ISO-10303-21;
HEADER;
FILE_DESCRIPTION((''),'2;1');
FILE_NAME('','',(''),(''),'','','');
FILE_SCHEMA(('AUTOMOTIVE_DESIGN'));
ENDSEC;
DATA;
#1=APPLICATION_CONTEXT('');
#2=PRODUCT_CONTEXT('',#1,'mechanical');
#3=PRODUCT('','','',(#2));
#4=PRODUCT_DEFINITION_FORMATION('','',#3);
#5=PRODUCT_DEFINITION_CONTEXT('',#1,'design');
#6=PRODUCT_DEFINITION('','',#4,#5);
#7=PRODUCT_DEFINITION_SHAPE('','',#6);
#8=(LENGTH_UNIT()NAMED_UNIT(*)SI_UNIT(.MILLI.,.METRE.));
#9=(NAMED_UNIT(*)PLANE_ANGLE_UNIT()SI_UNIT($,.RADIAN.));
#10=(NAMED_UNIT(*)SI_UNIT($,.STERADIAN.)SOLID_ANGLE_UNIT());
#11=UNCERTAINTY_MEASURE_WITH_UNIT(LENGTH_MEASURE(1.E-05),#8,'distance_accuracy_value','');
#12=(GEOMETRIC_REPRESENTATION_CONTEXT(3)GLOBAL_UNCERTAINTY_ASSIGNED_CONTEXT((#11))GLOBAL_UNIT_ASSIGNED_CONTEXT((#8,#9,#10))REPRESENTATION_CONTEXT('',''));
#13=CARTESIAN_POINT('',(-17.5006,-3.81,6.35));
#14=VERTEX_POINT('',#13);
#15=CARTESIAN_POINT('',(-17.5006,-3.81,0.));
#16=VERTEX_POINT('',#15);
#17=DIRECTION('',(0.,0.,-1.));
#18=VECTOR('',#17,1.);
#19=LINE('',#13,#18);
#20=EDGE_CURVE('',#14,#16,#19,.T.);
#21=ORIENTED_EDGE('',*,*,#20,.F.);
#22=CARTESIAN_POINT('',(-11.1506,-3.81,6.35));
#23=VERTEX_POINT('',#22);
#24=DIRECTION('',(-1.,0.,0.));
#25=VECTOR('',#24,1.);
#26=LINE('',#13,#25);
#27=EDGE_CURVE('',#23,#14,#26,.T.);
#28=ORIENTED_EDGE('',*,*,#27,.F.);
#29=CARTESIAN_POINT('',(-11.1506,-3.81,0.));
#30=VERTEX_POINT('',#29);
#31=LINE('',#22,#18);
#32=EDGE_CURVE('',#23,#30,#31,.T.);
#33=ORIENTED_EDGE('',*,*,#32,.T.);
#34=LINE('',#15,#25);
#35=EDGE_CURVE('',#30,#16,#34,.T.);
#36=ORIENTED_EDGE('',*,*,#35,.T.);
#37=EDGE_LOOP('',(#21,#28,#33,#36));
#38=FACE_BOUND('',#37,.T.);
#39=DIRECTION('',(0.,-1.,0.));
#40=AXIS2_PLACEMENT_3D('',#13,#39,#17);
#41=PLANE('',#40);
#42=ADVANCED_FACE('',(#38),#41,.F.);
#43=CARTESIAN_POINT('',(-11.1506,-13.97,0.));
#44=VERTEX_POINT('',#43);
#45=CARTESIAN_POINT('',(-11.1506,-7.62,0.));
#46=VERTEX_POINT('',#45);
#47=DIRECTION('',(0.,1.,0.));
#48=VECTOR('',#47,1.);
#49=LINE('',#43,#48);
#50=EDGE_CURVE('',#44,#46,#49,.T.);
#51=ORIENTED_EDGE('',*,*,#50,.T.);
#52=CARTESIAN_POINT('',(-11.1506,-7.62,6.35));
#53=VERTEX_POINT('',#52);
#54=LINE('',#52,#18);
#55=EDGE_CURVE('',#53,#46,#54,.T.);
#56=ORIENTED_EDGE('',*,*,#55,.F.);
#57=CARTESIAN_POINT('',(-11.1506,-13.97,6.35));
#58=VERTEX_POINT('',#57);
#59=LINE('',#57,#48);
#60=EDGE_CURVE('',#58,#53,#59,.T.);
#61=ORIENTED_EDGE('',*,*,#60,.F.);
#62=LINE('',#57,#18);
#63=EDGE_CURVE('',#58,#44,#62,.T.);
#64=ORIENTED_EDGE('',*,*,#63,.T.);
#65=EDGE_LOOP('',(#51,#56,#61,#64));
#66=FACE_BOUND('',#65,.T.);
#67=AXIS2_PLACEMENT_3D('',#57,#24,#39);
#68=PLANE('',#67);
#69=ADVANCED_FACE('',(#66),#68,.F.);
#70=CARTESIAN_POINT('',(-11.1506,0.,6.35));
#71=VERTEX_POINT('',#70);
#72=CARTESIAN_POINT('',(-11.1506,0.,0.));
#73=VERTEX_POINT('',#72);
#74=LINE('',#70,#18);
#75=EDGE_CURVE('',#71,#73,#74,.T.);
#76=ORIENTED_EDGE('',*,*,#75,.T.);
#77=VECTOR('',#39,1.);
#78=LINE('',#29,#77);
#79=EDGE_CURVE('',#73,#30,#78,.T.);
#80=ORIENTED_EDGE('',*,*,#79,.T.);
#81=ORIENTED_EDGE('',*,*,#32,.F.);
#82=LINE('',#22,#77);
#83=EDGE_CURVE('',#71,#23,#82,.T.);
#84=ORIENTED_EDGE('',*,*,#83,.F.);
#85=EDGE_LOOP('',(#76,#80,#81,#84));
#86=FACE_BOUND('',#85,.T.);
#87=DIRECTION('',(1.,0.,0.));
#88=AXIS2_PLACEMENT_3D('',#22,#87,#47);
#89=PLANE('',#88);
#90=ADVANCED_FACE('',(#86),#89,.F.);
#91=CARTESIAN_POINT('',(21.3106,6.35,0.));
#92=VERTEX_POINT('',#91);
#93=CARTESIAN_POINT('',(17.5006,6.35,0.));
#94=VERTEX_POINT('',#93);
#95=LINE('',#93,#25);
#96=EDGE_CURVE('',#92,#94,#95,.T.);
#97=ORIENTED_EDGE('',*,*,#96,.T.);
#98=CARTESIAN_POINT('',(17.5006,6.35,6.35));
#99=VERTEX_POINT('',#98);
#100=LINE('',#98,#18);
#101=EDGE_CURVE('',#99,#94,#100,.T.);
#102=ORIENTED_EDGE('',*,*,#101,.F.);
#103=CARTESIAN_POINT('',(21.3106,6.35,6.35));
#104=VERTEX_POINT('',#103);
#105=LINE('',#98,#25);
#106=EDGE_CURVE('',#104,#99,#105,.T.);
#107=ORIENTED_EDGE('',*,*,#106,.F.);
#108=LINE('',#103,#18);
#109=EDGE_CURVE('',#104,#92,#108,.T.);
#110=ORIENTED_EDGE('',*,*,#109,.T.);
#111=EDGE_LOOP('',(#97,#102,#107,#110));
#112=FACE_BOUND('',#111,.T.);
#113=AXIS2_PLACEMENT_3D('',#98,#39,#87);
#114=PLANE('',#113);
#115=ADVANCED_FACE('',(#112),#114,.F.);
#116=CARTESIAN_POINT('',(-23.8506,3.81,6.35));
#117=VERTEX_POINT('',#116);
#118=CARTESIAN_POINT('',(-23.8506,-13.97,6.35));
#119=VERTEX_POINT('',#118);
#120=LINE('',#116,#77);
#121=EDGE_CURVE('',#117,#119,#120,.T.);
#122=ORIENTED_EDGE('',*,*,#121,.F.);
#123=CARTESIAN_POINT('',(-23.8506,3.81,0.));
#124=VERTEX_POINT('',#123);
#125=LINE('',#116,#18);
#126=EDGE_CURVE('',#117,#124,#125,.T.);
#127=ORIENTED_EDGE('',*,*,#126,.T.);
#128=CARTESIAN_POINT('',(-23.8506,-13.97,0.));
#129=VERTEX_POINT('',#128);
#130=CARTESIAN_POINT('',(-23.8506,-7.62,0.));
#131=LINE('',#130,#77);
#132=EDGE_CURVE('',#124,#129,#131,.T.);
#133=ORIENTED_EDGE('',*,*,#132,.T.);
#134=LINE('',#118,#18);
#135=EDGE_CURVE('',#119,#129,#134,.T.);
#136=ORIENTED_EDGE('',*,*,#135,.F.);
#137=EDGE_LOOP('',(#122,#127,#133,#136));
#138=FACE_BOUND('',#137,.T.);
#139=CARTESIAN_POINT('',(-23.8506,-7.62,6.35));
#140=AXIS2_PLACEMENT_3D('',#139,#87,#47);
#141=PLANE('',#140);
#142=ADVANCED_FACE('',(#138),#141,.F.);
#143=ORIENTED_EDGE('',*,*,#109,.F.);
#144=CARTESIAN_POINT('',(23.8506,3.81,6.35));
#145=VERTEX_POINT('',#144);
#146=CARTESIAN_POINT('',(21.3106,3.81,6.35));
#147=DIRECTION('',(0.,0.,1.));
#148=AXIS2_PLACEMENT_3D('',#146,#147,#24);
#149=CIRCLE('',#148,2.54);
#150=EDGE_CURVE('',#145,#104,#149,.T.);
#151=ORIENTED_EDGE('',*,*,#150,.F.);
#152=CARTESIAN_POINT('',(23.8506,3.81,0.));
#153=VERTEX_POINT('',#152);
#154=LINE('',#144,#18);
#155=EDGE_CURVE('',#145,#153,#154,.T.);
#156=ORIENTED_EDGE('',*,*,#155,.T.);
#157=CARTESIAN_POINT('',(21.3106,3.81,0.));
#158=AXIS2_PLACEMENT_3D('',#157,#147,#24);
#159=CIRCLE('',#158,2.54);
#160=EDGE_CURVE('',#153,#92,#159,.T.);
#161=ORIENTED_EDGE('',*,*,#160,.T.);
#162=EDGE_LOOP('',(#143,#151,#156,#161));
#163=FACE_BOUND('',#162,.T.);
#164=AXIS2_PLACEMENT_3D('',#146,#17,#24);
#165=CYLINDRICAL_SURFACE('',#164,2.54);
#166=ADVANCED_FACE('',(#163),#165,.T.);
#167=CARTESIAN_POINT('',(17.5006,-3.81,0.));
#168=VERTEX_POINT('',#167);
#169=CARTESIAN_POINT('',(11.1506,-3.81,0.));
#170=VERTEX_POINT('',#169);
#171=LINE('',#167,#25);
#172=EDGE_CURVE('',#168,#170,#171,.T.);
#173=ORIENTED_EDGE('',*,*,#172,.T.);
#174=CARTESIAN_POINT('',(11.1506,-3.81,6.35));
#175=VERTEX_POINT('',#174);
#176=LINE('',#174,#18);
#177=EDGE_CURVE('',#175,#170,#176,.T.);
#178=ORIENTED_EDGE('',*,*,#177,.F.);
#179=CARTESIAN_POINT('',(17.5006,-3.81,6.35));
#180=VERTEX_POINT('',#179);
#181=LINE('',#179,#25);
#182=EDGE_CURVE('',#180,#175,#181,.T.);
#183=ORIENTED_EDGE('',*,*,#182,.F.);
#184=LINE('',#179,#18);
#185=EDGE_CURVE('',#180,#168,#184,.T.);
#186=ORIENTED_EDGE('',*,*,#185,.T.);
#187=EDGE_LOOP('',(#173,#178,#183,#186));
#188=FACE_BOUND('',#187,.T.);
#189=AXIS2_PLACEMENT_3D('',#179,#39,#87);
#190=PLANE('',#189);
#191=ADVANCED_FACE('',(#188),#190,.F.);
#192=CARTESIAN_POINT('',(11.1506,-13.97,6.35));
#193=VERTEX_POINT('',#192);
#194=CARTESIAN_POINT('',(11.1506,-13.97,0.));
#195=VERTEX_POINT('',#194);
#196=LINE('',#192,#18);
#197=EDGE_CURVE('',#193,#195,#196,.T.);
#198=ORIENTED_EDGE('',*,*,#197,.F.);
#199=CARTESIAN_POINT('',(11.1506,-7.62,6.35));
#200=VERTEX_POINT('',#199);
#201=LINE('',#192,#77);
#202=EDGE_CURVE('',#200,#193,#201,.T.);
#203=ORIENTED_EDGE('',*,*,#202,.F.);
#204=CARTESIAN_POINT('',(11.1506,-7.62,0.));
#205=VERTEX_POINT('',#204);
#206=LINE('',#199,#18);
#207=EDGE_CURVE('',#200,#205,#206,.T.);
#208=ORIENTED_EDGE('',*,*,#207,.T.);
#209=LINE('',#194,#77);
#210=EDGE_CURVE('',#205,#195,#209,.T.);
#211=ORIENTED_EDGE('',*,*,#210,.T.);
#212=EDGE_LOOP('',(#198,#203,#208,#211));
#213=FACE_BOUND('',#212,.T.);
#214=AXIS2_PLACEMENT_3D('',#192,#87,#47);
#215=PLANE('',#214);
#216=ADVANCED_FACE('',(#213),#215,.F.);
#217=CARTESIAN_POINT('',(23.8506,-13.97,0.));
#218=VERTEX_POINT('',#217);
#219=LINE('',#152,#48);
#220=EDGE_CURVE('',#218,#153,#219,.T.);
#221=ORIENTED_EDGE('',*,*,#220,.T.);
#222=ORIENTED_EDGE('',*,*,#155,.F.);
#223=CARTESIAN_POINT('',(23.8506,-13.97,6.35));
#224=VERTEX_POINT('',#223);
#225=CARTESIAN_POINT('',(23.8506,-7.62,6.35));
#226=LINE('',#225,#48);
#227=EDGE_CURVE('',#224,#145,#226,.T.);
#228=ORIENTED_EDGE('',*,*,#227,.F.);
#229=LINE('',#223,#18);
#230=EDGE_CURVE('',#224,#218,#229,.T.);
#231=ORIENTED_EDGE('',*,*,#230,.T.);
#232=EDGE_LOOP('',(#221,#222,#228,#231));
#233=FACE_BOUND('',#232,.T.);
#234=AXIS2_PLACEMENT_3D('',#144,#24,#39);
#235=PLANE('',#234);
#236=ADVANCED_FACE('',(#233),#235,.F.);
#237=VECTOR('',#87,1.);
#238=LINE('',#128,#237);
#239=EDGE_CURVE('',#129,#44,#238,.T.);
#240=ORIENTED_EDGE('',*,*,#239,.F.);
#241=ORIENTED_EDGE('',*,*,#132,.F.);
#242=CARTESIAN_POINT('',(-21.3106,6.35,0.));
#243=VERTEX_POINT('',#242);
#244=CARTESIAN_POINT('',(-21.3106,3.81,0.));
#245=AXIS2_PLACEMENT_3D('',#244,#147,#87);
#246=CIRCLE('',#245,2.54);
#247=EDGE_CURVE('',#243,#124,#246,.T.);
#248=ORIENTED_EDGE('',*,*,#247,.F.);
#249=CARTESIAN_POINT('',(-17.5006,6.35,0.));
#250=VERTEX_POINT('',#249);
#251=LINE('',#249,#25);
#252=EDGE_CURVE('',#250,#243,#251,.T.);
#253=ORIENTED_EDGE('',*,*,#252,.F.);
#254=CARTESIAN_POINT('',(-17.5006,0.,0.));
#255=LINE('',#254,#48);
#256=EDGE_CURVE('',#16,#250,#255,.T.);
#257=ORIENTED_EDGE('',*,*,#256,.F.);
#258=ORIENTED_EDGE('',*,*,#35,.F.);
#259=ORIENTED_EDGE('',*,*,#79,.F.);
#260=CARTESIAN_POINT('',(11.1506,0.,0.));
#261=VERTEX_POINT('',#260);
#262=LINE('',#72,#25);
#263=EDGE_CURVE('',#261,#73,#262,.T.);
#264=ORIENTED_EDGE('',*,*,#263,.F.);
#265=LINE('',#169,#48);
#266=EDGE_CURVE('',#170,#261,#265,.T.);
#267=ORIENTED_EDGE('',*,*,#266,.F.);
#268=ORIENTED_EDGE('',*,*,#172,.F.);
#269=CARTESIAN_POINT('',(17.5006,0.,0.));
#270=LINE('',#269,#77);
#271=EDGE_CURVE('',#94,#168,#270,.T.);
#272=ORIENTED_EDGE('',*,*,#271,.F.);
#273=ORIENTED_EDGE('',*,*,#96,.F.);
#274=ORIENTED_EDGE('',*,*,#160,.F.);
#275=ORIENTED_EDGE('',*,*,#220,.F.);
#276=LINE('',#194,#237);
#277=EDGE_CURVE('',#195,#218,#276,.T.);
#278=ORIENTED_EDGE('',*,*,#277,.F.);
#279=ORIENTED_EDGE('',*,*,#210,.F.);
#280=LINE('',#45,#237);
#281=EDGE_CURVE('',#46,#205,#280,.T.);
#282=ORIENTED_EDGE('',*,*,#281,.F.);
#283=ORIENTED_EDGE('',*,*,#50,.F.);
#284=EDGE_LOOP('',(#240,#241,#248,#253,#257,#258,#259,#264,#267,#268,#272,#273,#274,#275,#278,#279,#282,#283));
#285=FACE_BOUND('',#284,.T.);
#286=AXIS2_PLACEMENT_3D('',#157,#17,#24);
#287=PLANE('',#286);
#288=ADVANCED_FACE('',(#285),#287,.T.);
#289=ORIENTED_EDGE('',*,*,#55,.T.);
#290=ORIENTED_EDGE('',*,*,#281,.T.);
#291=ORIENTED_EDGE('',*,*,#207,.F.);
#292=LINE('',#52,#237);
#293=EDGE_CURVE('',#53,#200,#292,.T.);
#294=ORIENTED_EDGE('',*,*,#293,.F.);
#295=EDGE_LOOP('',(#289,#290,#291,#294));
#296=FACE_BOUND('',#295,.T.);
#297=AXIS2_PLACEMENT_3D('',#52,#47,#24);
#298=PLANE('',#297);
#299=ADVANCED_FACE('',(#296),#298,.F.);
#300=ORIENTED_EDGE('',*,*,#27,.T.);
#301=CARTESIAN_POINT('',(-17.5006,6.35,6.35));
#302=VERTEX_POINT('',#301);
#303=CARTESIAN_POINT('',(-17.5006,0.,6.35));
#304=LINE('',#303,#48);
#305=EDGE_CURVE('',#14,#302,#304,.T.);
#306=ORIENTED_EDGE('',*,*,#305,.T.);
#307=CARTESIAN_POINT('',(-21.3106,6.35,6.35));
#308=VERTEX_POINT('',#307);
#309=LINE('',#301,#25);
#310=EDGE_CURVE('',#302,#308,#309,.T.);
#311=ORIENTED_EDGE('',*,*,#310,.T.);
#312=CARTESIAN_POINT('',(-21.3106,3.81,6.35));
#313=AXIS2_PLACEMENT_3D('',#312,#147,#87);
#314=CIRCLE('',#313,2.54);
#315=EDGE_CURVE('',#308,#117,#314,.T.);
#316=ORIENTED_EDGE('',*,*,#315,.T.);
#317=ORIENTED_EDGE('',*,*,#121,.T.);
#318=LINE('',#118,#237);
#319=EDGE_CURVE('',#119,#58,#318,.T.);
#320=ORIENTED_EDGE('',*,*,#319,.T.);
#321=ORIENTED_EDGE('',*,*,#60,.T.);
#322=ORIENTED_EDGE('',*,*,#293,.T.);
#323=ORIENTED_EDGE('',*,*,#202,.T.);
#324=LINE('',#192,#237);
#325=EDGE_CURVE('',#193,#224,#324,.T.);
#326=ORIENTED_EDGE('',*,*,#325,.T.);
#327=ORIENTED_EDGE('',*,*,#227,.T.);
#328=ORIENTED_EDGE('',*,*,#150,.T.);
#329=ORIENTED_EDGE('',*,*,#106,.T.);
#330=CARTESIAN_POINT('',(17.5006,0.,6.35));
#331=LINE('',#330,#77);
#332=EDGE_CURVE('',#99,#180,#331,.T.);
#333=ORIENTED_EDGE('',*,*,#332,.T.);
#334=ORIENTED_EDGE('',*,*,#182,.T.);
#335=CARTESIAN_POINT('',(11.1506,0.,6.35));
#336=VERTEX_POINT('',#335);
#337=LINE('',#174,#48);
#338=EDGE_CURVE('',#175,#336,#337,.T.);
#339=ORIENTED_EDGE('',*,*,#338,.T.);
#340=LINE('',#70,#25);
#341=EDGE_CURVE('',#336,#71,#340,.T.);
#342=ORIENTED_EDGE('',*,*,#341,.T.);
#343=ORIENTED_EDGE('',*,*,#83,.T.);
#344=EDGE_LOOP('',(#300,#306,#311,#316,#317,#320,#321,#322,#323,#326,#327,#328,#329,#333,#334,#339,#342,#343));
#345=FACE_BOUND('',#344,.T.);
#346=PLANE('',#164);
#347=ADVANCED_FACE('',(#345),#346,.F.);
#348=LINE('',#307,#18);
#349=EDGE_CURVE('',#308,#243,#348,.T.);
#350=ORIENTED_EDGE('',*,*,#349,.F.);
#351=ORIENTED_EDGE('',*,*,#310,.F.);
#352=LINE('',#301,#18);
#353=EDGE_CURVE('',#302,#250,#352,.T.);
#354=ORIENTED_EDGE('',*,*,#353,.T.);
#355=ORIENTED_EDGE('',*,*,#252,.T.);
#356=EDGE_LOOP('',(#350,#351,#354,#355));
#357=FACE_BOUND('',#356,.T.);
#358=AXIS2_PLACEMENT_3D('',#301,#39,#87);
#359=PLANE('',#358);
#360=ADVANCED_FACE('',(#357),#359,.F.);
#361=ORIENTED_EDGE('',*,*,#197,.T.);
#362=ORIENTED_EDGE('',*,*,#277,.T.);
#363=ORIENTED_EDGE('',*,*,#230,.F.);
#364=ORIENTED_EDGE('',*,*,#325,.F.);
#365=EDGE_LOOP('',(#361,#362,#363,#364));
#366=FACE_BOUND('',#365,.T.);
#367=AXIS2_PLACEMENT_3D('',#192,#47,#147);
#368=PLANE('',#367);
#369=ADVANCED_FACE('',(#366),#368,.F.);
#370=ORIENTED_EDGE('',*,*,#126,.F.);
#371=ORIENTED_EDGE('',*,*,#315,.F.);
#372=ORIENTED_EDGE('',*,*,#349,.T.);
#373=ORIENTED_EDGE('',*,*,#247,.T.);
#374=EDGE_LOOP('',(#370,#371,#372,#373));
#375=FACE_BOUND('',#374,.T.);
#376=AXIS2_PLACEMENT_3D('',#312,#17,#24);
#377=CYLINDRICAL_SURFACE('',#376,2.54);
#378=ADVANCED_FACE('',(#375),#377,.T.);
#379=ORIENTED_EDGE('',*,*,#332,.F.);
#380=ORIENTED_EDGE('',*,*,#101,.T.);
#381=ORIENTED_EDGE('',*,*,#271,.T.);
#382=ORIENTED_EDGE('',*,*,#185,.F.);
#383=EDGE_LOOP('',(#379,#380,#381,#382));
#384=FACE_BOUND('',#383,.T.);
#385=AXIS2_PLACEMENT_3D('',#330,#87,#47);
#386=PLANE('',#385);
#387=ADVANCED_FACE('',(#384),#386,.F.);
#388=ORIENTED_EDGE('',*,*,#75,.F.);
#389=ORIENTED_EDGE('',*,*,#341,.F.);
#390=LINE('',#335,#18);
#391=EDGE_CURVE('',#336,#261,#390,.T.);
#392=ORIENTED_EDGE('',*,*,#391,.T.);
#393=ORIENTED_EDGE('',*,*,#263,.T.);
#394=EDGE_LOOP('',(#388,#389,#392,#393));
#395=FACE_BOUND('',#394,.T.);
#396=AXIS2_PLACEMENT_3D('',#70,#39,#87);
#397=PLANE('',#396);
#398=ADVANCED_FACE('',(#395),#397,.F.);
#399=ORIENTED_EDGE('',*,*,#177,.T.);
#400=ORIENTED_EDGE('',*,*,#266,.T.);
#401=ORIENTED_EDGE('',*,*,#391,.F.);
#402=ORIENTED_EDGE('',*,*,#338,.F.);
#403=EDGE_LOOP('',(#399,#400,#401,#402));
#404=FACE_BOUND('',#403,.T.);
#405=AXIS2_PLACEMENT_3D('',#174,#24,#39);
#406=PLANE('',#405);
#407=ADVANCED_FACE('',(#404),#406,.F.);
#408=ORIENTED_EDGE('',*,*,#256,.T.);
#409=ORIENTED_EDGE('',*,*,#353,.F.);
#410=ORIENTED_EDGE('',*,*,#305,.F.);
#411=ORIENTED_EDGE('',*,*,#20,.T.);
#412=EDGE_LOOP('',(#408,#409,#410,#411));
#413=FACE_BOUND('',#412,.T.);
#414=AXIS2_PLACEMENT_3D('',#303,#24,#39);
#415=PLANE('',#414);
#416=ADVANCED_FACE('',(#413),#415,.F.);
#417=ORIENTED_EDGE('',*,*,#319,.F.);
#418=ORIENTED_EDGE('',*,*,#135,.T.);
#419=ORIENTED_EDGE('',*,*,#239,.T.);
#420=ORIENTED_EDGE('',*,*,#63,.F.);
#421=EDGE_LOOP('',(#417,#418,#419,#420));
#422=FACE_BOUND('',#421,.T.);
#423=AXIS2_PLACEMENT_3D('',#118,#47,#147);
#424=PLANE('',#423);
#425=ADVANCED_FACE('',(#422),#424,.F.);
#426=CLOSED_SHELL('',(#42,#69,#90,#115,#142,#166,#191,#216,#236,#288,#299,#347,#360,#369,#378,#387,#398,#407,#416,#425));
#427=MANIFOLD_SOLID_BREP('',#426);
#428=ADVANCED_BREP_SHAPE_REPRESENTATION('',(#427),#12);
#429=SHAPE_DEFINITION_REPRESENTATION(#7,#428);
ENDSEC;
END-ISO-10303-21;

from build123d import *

# Parameters (mm, degrees)
BOSS_EXTRUDE1_DEPTH = 6.35


with BuildPart() as part:
    # Sketch1 → Boss-Extrude1 (new body)
    with BuildSketch(Plane.XY):
        with BuildLine():
            Line((-11.1506, 0), (11.1506, 0))
            Line((11.1506, 0), (11.1506, -3.81))
            Line((11.1506, -3.81), (17.5006, -3.81))
            Line((17.5006, -3.81), (17.5006, 0))
            Line((17.5006, 0), (17.5006, 6.35))
            Line((17.5006, 6.35), (21.3106, 6.35))
            ThreePointArc((21.3106, 6.35), (23.106651224, 5.606051224), (23.8506, 3.81))
            Line((23.8506, 3.81), (23.8506, -7.62))
            Line((23.8506, -7.62), (23.8506, -13.97))
            Line((23.8506, -13.97), (11.1506, -13.97))
            Line((11.1506, -13.97), (11.1506, -7.62))
            Line((11.1506, -7.62), (-11.1506, -7.62))
            Line((-11.1506, -7.62), (-11.1506, -13.97))
            Line((-11.1506, -13.97), (-23.8506, -13.97))
            Line((-23.8506, -13.97), (-23.8506, -7.62))
            Line((-23.8506, -7.62), (-23.8506, 3.81))
            ThreePointArc((-23.8506, 3.81), (-23.106651224, 5.606051224), (-21.3106, 6.35))
            Line((-21.3106, 6.35), (-17.5006, 6.35))
            Line((-17.5006, 6.35), (-17.5006, 0))
            Line((-17.5006, 0), (-17.5006, -3.81))
            Line((-17.5006, -3.81), (-11.1506, -3.81))
            Line((-11.1506, -3.81), (-11.1506, 0))
        make_face()
    extrude(amount=BOSS_EXTRUDE1_DEPTH)


solid = part.part
